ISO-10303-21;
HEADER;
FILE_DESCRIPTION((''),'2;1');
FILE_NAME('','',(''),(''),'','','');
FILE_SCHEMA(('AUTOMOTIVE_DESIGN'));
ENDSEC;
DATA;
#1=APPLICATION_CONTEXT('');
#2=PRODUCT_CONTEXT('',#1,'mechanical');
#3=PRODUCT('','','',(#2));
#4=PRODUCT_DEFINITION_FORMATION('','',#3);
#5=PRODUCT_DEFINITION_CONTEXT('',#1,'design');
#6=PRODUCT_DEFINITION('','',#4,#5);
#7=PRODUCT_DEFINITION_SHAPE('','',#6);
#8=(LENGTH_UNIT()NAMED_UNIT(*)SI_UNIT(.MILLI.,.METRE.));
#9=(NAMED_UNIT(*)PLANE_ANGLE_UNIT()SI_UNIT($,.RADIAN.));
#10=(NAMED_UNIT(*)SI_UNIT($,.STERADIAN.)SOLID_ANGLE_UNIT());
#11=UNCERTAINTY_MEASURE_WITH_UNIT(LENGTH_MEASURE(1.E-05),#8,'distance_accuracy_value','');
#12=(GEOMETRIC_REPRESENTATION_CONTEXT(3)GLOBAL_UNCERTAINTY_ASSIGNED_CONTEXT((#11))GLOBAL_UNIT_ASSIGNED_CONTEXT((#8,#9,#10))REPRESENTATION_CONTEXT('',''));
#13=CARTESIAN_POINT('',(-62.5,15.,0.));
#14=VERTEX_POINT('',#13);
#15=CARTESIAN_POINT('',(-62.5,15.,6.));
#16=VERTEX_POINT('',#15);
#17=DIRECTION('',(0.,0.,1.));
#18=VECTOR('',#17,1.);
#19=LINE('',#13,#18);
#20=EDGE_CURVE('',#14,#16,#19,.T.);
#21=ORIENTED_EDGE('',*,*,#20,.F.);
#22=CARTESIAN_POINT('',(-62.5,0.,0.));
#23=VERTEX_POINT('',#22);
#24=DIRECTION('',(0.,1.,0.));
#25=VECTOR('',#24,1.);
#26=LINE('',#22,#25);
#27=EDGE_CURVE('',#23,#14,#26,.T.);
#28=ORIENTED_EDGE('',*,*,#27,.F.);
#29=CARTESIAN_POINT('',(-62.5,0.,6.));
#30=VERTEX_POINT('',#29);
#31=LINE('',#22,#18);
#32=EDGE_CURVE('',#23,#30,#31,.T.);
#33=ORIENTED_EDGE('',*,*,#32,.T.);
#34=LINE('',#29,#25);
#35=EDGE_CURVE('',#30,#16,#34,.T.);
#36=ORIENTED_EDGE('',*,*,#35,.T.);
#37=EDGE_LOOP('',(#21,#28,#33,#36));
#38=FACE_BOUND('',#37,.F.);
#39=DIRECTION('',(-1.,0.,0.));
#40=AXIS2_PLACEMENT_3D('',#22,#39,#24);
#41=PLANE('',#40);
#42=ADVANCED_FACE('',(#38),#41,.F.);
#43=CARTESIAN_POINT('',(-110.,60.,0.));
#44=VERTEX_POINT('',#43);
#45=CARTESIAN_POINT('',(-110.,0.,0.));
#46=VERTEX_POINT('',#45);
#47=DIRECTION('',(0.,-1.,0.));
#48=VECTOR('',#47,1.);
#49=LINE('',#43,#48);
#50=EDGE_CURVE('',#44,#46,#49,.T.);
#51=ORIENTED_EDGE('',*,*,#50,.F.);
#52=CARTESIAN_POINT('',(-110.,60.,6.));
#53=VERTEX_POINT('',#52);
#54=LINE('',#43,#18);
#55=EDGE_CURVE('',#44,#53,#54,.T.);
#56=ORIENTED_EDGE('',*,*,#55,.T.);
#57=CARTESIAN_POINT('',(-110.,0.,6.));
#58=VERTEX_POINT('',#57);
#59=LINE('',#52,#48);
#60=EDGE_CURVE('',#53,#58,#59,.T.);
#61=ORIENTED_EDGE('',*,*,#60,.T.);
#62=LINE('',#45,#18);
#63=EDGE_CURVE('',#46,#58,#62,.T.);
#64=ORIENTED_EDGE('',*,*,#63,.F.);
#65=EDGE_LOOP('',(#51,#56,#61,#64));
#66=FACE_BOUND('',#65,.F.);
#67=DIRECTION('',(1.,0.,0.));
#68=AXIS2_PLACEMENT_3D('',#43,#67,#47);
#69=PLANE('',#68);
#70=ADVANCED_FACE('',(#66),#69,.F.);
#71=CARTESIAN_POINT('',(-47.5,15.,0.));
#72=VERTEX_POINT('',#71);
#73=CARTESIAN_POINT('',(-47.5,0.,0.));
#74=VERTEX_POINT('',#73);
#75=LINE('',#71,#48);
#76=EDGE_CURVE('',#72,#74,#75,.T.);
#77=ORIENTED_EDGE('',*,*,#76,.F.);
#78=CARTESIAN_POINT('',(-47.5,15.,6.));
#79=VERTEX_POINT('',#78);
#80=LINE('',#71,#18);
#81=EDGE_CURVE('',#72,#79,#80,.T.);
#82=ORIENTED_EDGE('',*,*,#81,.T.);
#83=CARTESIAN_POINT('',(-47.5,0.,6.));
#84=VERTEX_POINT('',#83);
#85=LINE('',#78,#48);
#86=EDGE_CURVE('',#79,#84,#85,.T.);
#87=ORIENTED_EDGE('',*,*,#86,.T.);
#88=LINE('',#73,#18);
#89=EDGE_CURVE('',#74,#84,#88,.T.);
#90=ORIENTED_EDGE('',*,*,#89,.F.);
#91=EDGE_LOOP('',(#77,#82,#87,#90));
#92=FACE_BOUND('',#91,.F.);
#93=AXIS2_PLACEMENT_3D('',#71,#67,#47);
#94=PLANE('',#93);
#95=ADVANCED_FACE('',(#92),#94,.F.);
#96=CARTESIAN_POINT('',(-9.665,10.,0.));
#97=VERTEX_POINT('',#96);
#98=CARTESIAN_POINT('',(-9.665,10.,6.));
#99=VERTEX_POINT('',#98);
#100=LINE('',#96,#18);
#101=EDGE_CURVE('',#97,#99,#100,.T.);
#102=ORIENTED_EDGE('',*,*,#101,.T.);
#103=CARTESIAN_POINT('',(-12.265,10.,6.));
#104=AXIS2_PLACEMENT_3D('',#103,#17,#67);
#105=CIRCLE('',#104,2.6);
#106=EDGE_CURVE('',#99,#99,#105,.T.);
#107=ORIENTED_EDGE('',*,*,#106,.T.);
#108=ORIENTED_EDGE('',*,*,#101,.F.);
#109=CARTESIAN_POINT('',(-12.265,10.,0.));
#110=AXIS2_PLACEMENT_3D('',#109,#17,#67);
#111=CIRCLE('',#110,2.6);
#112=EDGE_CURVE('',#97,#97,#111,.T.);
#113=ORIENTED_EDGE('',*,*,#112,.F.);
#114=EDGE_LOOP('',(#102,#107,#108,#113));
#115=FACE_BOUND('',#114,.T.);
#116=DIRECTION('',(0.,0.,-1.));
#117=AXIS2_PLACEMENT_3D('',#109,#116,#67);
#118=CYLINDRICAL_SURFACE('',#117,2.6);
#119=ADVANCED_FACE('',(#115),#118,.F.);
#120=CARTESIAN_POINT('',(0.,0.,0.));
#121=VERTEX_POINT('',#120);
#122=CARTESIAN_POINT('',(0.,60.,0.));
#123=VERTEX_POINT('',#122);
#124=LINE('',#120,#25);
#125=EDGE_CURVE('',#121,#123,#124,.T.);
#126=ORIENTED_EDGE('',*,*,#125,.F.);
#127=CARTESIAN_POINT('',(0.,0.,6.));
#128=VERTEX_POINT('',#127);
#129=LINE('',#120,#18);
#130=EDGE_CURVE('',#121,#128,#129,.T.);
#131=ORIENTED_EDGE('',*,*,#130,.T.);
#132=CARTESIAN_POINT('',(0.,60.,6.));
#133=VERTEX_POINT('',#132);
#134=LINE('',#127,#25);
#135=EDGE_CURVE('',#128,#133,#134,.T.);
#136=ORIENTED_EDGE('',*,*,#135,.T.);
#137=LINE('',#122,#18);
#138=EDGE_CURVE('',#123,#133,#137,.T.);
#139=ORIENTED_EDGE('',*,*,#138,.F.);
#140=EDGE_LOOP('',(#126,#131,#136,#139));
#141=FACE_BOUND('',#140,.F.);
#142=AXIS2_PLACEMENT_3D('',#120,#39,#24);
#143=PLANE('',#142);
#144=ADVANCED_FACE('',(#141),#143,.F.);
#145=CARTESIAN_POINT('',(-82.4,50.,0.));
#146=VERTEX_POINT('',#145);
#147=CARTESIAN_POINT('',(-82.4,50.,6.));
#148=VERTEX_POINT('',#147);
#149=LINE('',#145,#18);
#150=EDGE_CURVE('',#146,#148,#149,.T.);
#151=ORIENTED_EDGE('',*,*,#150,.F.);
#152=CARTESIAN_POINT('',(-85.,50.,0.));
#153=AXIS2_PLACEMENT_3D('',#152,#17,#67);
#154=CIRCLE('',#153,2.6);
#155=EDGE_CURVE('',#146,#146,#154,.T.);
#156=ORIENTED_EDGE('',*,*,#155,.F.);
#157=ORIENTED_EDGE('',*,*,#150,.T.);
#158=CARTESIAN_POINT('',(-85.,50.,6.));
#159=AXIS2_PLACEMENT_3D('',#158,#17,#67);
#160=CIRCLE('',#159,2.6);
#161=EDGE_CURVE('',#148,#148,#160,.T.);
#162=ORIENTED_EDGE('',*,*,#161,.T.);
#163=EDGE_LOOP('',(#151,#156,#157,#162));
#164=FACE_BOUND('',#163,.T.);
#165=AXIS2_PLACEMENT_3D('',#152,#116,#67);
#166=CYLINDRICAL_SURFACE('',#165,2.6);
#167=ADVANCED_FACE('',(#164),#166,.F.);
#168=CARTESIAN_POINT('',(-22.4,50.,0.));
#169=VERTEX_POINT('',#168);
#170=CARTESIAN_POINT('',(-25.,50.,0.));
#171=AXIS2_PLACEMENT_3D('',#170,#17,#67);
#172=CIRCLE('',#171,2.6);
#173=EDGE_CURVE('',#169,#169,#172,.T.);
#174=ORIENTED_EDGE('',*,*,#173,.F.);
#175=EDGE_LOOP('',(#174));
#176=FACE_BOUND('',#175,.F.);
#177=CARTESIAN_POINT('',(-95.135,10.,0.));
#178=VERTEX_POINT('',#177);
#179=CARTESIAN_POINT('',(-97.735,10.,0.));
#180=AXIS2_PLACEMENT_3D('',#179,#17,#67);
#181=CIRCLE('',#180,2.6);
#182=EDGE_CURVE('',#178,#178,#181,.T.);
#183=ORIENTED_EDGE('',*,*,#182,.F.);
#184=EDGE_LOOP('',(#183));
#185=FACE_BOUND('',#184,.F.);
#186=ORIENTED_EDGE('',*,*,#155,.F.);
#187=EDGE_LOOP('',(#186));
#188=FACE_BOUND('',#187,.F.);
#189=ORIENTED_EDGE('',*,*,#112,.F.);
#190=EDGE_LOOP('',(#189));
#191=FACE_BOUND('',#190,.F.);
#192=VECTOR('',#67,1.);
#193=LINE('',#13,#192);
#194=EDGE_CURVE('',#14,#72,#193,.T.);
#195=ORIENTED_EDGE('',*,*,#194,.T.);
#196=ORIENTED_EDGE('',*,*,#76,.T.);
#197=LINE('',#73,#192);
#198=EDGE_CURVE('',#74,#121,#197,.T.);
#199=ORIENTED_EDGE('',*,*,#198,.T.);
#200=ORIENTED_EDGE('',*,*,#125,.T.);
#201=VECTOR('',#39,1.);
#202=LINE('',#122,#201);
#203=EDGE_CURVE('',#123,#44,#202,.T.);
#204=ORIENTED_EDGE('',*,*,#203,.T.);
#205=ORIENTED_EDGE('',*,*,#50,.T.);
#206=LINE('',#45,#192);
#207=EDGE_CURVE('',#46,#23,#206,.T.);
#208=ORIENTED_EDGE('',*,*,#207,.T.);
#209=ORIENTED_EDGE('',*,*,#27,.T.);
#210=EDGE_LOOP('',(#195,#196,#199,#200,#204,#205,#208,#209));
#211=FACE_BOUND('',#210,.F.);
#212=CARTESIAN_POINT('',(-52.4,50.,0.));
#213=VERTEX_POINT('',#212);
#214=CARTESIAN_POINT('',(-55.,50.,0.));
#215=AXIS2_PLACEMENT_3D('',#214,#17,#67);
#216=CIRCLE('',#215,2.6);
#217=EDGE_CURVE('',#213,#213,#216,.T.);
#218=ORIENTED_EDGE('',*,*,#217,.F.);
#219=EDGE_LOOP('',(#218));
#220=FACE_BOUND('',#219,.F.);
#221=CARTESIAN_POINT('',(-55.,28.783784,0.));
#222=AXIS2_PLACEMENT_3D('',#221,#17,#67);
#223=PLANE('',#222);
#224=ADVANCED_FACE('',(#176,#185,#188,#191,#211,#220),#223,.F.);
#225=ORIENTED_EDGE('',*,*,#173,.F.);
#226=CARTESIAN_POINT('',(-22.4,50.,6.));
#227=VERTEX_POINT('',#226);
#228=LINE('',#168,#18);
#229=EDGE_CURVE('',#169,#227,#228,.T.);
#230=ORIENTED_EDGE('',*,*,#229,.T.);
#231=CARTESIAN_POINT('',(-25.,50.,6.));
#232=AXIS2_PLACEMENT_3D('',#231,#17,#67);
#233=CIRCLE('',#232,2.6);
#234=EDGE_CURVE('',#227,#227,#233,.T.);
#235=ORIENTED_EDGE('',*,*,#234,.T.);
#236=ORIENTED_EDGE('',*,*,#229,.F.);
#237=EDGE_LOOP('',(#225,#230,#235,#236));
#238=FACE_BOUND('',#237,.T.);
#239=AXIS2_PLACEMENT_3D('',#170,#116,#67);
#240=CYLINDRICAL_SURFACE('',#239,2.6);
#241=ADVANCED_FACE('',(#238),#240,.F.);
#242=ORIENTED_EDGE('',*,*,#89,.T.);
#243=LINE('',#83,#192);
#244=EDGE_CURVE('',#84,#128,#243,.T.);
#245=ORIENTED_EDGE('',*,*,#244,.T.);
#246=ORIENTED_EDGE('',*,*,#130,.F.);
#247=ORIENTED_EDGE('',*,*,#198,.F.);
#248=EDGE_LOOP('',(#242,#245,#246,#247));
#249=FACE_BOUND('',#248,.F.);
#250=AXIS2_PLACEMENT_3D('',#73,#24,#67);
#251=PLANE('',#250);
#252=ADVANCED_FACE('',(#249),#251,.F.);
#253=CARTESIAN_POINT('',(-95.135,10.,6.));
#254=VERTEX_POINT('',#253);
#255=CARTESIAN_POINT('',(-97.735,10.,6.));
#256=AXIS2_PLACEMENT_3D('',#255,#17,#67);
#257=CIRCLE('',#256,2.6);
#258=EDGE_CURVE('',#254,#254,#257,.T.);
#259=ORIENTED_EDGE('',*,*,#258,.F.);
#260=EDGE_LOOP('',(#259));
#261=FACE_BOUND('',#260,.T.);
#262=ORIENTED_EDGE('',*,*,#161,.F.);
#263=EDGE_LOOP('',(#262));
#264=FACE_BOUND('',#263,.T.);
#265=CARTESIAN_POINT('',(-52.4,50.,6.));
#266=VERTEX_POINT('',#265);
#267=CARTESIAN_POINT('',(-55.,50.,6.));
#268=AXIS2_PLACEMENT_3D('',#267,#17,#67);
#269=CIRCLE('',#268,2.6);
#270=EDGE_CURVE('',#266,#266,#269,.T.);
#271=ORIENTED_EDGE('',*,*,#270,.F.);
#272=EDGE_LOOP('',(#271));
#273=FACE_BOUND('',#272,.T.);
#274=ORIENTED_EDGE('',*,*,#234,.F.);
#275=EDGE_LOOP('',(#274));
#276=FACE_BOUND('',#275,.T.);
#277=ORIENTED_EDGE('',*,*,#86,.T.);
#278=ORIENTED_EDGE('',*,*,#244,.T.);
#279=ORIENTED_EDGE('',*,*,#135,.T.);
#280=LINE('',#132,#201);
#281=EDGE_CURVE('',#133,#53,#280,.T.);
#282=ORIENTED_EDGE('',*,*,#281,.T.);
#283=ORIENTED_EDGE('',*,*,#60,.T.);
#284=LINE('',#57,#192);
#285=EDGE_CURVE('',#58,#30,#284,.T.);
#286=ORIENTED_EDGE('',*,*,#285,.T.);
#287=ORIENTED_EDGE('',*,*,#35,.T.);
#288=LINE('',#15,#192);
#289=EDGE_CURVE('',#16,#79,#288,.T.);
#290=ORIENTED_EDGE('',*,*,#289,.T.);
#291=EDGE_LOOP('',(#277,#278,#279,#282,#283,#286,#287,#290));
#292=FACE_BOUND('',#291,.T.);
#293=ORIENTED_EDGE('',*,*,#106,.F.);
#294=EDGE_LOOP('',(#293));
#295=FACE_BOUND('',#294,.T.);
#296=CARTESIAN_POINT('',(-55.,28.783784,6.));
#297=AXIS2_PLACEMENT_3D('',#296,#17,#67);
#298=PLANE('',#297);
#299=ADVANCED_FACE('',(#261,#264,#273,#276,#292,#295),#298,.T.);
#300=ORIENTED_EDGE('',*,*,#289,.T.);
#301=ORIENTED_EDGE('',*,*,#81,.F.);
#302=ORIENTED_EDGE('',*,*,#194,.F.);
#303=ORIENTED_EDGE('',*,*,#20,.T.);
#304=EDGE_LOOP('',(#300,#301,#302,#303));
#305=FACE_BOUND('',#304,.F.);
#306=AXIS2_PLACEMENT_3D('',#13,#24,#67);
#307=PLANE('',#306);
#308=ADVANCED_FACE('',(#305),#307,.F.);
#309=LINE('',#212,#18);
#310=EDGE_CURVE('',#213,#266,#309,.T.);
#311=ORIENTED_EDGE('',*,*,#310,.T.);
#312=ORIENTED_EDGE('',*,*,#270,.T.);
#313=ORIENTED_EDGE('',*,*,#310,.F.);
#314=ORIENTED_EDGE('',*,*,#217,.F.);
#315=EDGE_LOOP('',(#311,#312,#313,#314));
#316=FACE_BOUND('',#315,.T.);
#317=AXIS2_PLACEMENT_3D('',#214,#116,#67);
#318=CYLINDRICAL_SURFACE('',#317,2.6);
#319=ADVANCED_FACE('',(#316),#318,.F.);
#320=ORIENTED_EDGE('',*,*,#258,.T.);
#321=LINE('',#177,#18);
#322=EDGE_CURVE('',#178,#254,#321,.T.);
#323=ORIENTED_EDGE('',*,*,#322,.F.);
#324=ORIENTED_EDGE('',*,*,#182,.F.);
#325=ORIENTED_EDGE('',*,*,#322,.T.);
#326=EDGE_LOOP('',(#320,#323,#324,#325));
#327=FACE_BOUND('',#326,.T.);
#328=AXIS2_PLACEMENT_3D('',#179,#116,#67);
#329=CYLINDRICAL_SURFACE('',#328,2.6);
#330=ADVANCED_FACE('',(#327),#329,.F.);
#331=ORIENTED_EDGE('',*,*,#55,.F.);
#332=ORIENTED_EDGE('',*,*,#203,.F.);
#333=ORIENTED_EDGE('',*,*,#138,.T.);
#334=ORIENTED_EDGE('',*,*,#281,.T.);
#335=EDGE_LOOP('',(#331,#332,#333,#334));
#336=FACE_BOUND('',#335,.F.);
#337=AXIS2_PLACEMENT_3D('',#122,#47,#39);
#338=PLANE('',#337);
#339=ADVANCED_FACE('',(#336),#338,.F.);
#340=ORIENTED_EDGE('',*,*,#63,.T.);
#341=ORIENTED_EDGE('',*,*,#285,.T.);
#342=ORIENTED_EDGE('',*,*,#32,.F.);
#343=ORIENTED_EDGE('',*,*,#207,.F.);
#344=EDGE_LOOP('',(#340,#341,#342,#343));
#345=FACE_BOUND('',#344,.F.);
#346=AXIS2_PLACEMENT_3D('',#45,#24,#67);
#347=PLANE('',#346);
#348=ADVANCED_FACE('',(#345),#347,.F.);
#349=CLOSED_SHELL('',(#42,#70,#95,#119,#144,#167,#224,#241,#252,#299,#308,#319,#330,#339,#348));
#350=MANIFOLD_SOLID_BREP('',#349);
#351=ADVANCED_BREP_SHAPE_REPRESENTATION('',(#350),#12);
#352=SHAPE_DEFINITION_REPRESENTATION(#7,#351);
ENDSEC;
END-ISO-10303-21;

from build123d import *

# Parameters (mm, degrees)
F0_R     = 2.6
F1_DEPTH = 6


with BuildPart() as f1:
    # F0 (on Top) → F1 (new body)
    with BuildSketch(Plane.XY):
        Polygon((-47.5, 0), (0, 0), (0, 60), (-110, 60), (-110, 0), (-62.5, 0), (-62.5, 15), (-47.5, 15), align=None)
        with Locations((-97.735, 10)):
            Circle(F0_R, mode=Mode.SUBTRACT)
        with Locations((-12.265, 10)):
            Circle(F0_R, mode=Mode.SUBTRACT)
        with Locations((-85, 50)):
            Circle(F0_R, mode=Mode.SUBTRACT)
        with Locations((-55, 50)):
            Circle(F0_R, mode=Mode.SUBTRACT)
        with Locations((-25, 50)):
            Circle(F0_R, mode=Mode.SUBTRACT)
    extrude(amount=F1_DEPTH)


solid = f1.part
